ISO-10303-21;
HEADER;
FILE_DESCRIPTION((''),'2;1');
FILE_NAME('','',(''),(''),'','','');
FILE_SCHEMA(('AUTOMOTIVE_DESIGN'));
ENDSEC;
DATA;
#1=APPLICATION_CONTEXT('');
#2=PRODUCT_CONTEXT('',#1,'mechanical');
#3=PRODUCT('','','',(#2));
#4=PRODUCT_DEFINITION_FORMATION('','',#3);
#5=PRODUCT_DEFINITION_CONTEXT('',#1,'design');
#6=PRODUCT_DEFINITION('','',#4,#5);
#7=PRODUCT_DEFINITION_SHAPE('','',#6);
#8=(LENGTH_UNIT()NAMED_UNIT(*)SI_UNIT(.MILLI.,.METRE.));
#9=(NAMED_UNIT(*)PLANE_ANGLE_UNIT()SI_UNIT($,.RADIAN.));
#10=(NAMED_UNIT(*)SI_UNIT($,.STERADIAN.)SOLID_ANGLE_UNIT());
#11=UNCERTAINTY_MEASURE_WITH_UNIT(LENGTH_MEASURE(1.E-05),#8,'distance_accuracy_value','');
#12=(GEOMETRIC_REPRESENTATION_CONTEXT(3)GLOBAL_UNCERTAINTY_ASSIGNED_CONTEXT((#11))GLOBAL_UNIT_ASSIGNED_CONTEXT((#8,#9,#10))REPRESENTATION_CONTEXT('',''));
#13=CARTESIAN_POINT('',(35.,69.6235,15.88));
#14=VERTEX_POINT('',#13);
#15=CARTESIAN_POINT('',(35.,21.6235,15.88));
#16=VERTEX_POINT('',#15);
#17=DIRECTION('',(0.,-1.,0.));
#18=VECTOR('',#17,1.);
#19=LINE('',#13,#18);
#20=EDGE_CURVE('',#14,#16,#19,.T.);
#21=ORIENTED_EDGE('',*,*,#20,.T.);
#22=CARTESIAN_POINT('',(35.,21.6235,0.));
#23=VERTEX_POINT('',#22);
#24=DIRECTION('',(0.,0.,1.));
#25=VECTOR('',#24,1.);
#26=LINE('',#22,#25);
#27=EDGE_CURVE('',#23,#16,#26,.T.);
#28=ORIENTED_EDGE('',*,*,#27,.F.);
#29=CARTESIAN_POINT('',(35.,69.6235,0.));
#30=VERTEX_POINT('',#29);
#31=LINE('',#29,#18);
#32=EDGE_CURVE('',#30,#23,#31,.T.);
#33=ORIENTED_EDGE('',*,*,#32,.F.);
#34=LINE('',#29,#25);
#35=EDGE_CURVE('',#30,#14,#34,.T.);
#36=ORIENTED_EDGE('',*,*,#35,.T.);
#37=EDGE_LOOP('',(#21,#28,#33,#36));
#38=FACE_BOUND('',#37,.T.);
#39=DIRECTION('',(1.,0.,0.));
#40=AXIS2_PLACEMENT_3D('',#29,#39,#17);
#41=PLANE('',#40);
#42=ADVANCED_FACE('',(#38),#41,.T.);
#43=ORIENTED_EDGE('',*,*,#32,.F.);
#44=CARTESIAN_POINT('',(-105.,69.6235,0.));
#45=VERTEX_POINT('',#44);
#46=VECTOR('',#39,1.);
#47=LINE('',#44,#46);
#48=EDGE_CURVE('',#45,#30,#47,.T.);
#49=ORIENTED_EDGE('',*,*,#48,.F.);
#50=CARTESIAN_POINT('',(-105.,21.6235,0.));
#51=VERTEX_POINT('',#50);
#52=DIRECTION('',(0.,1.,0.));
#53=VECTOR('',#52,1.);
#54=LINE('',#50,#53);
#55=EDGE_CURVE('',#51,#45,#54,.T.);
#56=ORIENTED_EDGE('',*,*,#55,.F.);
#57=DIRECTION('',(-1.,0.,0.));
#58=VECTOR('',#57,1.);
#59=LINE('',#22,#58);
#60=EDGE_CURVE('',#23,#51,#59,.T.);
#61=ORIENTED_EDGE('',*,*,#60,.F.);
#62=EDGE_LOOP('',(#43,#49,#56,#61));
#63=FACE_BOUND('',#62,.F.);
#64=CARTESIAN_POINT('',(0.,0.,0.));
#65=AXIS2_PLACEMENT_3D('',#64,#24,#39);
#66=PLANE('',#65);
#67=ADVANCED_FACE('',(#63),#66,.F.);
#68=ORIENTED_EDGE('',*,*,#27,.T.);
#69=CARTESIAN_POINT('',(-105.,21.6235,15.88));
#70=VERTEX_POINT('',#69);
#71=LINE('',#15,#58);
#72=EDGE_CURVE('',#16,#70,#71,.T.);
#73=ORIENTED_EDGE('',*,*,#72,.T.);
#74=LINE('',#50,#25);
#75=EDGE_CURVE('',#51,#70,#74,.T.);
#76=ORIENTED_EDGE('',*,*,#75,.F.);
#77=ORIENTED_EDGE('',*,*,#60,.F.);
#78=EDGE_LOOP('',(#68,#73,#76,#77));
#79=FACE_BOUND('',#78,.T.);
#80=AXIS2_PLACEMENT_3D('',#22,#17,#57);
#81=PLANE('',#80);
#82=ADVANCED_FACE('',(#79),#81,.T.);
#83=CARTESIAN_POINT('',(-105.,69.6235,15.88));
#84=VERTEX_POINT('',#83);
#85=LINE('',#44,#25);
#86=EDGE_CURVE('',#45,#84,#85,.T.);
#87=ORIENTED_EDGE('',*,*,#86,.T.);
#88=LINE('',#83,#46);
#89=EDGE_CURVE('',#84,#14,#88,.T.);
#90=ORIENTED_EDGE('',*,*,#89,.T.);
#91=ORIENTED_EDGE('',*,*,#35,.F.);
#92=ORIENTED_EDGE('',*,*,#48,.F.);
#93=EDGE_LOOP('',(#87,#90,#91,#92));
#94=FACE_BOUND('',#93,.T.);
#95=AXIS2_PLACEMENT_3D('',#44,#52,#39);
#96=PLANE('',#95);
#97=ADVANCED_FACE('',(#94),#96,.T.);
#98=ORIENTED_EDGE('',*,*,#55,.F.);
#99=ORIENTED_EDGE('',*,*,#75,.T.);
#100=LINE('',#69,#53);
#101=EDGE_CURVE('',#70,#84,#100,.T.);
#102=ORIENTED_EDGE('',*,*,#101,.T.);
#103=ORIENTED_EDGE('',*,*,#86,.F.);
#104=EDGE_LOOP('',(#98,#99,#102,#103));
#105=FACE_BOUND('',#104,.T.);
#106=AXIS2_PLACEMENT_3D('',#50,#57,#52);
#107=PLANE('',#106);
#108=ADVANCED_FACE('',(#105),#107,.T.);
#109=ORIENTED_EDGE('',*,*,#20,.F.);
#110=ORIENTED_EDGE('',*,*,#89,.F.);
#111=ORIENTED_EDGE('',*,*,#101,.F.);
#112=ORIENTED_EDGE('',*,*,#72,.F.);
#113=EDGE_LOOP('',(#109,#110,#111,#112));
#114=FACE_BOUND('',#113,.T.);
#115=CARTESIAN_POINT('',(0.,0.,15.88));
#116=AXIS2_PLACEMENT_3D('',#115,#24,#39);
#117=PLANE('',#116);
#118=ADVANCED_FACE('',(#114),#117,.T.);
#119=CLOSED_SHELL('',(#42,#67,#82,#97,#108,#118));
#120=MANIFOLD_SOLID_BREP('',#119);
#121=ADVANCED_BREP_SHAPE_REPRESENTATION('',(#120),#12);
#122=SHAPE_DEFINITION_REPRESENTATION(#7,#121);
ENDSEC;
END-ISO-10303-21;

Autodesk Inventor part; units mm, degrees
ref_plane "YZ Plane" through (0, 0, 0) normal (1, 0, 0) x (0, 1, 0)
ref_plane "XZ Plane" through (0, 0, 0) normal (0, 1, 0) x (-1, 0, 0)
ref_plane "XY Plane" through (0, 0, 0) normal (0, 0, 1) x (1, 0, 0)
sketch "Esboço1" plane through (0, 0, 0) normal (0, 0, 1) x (1, 0, 0)
  line L0 (35, 21.6235) -> (-105, 21.6235)
  line L1 (-105, 21.6235) -> (-105, 69.6235)
  line L2 (-105, 69.6235) -> (35, 69.6235)
  line L3 (35, 69.6235) -> (35, 21.6235)
  dimension "d13" = 140
  dimension "d14" = 48
extrude "Extrusão1" add sketch "Esboço1" along normal blind 15.88
properties part number "APOIO_PERFIL_STRUTURAL"
